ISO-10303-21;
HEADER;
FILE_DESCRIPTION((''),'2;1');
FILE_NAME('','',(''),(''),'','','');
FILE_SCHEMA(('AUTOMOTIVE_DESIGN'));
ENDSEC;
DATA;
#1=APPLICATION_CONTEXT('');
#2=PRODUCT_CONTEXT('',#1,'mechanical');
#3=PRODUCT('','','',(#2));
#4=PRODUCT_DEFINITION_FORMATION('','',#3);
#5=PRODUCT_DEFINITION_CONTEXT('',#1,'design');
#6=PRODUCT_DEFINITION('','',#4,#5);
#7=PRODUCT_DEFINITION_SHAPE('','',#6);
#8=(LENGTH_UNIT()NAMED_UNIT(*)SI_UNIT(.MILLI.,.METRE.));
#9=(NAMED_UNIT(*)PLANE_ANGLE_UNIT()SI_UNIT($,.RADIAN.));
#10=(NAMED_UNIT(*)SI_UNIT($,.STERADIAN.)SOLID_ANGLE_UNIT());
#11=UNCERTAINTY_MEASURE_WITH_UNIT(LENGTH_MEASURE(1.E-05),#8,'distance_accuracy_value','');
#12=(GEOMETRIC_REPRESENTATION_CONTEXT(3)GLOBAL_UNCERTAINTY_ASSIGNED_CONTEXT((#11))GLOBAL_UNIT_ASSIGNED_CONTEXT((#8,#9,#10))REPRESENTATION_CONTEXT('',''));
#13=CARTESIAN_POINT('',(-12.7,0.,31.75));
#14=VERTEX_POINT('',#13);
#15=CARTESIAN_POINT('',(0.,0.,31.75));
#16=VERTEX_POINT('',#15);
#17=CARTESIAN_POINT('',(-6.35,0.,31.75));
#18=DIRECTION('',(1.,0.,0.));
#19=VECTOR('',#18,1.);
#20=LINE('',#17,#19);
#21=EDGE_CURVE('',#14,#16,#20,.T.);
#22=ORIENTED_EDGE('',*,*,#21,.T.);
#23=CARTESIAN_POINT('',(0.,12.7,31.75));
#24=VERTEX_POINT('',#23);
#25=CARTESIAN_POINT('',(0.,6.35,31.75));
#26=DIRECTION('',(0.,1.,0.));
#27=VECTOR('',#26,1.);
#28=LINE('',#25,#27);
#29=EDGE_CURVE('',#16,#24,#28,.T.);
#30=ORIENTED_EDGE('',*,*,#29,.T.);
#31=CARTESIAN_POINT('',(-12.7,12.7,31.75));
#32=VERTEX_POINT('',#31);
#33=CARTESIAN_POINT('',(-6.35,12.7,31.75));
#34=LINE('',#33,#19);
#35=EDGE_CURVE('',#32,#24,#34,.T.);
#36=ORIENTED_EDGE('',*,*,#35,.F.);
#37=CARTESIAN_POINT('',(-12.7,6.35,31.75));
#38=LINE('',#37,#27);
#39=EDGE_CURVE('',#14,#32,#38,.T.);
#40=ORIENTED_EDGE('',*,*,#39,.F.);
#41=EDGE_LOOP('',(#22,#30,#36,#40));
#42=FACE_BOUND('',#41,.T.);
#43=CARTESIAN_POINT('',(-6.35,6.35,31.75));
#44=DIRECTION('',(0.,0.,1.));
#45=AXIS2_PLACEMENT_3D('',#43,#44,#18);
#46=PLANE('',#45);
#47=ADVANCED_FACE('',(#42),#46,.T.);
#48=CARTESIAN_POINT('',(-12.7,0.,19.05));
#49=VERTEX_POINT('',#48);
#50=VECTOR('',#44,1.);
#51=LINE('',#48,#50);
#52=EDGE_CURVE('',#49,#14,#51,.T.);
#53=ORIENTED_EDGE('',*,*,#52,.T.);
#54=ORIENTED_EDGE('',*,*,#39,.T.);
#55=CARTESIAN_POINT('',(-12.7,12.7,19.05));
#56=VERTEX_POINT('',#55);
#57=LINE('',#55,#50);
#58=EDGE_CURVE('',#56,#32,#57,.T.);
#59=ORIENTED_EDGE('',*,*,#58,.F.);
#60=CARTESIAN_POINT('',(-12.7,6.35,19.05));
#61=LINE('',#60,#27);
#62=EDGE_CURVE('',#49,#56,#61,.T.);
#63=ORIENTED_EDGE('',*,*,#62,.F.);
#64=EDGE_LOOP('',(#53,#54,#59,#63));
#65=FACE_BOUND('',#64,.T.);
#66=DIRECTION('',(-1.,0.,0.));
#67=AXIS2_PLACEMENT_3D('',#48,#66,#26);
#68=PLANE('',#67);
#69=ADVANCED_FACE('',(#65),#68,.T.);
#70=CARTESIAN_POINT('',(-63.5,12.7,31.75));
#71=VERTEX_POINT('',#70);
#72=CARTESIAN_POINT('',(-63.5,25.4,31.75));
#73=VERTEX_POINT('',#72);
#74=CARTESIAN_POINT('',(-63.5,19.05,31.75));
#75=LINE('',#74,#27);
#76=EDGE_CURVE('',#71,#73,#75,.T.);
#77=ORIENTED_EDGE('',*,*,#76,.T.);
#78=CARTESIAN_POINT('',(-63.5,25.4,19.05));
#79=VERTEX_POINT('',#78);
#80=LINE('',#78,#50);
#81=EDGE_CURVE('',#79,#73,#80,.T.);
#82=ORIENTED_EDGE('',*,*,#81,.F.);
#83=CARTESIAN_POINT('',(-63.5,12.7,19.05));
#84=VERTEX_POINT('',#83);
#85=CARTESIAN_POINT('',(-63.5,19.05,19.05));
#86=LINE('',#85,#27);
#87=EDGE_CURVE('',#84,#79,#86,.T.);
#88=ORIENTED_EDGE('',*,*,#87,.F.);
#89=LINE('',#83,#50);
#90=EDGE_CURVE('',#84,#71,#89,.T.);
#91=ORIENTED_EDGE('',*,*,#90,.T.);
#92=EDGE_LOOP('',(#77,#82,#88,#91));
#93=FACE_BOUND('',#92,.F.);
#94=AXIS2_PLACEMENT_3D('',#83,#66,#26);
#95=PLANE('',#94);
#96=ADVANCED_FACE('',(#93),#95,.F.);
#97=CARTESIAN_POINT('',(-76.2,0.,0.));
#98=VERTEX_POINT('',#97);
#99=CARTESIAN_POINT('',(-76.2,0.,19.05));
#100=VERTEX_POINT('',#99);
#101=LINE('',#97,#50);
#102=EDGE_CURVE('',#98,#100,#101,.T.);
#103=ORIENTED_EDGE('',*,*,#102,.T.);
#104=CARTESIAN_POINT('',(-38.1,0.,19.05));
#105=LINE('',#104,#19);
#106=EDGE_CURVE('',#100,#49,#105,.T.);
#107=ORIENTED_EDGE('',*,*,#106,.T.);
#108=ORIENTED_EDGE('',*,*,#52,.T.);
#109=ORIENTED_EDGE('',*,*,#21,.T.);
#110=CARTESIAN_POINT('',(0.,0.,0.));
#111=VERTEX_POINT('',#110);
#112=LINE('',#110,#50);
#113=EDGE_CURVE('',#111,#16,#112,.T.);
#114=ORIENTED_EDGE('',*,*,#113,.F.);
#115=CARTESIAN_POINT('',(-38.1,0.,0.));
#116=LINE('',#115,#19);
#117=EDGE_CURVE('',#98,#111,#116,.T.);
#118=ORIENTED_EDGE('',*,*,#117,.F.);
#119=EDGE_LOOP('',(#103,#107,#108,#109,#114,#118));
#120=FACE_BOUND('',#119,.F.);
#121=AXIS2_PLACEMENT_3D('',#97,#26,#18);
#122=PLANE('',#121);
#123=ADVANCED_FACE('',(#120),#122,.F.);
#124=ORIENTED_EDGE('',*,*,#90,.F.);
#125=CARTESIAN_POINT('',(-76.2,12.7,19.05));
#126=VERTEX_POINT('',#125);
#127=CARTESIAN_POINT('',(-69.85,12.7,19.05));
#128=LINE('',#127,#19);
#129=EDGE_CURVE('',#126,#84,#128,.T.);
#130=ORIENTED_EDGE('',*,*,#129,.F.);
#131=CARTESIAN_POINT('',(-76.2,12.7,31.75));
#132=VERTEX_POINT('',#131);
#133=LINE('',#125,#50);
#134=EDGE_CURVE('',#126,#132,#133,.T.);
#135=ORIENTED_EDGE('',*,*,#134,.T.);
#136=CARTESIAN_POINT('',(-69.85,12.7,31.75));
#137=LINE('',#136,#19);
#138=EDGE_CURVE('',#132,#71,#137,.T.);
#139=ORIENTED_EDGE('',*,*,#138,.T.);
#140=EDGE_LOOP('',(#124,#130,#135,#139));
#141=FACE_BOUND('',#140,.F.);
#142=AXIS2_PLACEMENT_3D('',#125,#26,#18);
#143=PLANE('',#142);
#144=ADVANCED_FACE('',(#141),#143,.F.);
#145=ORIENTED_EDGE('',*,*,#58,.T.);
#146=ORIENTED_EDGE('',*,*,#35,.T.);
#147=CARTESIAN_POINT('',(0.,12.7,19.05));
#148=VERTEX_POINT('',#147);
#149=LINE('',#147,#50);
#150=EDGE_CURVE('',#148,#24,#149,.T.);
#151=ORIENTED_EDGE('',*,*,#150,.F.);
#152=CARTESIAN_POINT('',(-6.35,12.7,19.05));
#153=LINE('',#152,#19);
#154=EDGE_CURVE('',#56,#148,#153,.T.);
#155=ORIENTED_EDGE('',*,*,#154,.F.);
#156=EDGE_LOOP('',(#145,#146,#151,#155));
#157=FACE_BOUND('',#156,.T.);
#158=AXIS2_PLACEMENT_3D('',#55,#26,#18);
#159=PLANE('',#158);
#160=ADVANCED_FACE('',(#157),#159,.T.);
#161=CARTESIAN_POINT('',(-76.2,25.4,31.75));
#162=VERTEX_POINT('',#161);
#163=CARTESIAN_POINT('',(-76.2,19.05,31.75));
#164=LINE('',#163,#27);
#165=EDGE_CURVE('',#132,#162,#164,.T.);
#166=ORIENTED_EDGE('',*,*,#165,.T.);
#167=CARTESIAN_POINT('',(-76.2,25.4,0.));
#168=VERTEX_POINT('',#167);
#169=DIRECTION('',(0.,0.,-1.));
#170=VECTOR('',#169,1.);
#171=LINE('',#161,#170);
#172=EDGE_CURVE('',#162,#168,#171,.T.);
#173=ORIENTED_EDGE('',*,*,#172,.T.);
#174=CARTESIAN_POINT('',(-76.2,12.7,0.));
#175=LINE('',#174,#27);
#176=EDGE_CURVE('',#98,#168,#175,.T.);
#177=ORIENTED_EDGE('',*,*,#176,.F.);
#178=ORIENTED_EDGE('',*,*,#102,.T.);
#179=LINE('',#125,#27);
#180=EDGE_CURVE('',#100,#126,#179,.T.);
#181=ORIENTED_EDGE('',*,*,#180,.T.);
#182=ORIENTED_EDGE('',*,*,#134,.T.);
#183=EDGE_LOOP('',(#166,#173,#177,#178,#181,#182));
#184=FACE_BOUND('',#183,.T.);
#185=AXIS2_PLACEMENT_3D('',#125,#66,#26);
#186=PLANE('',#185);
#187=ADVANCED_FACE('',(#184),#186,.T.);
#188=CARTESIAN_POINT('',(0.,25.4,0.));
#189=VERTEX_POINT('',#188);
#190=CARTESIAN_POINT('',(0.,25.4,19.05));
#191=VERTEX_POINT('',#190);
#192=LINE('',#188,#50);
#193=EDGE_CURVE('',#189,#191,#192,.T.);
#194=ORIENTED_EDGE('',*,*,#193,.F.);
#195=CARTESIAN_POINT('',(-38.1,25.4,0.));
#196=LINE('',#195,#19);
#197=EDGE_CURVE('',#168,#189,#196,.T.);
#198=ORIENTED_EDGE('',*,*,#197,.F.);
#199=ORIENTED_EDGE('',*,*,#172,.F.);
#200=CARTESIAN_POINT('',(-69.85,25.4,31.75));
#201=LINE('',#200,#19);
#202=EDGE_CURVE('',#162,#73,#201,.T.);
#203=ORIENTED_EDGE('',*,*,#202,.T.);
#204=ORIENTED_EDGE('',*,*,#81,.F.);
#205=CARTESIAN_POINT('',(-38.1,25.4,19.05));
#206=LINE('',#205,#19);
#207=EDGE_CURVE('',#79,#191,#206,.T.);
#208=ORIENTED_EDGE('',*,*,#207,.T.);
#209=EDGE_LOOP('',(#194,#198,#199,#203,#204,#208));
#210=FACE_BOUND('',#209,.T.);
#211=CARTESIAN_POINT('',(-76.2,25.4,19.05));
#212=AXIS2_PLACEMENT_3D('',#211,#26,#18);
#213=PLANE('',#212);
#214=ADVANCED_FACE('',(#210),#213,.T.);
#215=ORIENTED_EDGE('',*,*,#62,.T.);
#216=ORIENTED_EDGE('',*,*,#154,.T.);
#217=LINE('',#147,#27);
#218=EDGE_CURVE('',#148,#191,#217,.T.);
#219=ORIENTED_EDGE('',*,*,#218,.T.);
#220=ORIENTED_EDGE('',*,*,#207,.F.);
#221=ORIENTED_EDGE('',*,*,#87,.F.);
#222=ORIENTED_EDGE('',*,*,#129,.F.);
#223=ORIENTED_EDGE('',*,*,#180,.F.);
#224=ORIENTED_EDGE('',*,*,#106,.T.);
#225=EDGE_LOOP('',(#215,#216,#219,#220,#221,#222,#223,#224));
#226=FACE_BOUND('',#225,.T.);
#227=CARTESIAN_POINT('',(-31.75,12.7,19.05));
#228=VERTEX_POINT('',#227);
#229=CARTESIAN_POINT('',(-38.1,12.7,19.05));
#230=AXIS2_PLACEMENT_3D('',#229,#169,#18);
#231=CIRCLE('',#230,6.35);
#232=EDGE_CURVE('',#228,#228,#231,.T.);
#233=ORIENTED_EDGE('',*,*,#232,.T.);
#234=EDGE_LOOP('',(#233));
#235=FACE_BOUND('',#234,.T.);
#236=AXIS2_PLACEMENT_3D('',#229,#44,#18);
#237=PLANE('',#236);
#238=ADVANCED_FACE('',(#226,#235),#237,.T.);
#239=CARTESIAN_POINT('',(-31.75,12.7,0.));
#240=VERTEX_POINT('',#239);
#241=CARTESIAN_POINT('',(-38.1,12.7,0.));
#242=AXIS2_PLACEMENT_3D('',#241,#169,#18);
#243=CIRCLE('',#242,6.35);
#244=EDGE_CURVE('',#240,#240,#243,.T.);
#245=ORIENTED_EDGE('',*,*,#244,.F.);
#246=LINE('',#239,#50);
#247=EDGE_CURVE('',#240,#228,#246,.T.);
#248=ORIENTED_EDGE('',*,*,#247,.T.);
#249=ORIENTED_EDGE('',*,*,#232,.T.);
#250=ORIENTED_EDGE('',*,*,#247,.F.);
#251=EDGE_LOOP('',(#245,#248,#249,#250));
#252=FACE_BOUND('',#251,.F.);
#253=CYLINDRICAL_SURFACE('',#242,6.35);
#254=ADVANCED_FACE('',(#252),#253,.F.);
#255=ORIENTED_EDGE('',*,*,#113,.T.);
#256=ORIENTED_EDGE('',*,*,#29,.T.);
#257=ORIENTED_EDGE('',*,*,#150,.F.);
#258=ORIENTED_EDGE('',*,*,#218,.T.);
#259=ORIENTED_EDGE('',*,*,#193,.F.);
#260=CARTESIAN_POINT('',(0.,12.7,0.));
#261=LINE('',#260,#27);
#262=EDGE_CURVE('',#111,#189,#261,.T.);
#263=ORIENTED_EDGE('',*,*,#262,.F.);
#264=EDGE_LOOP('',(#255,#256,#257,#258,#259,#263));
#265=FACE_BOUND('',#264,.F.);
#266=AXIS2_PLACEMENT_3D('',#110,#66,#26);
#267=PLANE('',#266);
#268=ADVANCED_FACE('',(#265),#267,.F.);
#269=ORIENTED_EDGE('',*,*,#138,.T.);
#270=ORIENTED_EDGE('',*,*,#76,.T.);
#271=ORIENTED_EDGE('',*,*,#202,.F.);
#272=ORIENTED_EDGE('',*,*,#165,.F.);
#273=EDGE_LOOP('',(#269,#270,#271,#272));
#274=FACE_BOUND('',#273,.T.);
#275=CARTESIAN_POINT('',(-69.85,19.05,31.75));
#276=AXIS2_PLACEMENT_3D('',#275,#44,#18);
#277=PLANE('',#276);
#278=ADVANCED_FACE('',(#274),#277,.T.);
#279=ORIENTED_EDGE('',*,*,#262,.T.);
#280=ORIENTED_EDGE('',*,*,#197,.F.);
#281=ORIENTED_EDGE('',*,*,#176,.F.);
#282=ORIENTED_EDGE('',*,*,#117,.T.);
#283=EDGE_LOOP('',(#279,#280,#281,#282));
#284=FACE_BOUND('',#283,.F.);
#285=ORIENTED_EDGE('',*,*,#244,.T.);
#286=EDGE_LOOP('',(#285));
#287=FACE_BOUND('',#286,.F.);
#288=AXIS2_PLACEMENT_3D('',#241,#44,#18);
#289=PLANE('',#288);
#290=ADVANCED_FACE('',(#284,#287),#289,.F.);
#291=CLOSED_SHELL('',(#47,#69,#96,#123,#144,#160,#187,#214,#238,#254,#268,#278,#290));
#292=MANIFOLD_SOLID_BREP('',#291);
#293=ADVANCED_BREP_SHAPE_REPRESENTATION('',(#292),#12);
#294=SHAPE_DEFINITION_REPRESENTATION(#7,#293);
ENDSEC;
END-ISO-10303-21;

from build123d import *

# Parameters (mm, degrees)
F0_W     = 76.2
F0_H     = 25.4
F1_DEPTH = 19.05
F2_W     = 12.7
F2_H     = 12.7
F3_DEPTH = 12.7
F4_R     = 6.35
F5_DEPTH = 19.05


with BuildPart() as f1:
    # F0 (on Top) → F1 (new body)
    with BuildSketch(Plane.XY):
        with Locations((-38.1, 12.7)):
            Rectangle(F0_W, F0_H)
    extrude(amount=F1_DEPTH)

    # F2 (on face) → F3 (join)
    with BuildSketch(Plane.XY.offset(19.05)):
        with Locations((-69.85, 19.05)):
            Rectangle(F2_W, F2_H)
        with Locations((-6.35, 6.35)):
            Rectangle(F2_W, F2_H)
    extrude(amount=F3_DEPTH)

    # F4 (on face) → F5 (cut)
    with BuildSketch(Plane(origin=(0, 0, 0), x_dir=(1, 0, 0), z_dir=(0, 0, -1))):
        with Locations((-38.1, -12.7)):
            Circle(F4_R)
    extrude(amount=-F5_DEPTH, mode=Mode.SUBTRACT)


solid = f1.part
